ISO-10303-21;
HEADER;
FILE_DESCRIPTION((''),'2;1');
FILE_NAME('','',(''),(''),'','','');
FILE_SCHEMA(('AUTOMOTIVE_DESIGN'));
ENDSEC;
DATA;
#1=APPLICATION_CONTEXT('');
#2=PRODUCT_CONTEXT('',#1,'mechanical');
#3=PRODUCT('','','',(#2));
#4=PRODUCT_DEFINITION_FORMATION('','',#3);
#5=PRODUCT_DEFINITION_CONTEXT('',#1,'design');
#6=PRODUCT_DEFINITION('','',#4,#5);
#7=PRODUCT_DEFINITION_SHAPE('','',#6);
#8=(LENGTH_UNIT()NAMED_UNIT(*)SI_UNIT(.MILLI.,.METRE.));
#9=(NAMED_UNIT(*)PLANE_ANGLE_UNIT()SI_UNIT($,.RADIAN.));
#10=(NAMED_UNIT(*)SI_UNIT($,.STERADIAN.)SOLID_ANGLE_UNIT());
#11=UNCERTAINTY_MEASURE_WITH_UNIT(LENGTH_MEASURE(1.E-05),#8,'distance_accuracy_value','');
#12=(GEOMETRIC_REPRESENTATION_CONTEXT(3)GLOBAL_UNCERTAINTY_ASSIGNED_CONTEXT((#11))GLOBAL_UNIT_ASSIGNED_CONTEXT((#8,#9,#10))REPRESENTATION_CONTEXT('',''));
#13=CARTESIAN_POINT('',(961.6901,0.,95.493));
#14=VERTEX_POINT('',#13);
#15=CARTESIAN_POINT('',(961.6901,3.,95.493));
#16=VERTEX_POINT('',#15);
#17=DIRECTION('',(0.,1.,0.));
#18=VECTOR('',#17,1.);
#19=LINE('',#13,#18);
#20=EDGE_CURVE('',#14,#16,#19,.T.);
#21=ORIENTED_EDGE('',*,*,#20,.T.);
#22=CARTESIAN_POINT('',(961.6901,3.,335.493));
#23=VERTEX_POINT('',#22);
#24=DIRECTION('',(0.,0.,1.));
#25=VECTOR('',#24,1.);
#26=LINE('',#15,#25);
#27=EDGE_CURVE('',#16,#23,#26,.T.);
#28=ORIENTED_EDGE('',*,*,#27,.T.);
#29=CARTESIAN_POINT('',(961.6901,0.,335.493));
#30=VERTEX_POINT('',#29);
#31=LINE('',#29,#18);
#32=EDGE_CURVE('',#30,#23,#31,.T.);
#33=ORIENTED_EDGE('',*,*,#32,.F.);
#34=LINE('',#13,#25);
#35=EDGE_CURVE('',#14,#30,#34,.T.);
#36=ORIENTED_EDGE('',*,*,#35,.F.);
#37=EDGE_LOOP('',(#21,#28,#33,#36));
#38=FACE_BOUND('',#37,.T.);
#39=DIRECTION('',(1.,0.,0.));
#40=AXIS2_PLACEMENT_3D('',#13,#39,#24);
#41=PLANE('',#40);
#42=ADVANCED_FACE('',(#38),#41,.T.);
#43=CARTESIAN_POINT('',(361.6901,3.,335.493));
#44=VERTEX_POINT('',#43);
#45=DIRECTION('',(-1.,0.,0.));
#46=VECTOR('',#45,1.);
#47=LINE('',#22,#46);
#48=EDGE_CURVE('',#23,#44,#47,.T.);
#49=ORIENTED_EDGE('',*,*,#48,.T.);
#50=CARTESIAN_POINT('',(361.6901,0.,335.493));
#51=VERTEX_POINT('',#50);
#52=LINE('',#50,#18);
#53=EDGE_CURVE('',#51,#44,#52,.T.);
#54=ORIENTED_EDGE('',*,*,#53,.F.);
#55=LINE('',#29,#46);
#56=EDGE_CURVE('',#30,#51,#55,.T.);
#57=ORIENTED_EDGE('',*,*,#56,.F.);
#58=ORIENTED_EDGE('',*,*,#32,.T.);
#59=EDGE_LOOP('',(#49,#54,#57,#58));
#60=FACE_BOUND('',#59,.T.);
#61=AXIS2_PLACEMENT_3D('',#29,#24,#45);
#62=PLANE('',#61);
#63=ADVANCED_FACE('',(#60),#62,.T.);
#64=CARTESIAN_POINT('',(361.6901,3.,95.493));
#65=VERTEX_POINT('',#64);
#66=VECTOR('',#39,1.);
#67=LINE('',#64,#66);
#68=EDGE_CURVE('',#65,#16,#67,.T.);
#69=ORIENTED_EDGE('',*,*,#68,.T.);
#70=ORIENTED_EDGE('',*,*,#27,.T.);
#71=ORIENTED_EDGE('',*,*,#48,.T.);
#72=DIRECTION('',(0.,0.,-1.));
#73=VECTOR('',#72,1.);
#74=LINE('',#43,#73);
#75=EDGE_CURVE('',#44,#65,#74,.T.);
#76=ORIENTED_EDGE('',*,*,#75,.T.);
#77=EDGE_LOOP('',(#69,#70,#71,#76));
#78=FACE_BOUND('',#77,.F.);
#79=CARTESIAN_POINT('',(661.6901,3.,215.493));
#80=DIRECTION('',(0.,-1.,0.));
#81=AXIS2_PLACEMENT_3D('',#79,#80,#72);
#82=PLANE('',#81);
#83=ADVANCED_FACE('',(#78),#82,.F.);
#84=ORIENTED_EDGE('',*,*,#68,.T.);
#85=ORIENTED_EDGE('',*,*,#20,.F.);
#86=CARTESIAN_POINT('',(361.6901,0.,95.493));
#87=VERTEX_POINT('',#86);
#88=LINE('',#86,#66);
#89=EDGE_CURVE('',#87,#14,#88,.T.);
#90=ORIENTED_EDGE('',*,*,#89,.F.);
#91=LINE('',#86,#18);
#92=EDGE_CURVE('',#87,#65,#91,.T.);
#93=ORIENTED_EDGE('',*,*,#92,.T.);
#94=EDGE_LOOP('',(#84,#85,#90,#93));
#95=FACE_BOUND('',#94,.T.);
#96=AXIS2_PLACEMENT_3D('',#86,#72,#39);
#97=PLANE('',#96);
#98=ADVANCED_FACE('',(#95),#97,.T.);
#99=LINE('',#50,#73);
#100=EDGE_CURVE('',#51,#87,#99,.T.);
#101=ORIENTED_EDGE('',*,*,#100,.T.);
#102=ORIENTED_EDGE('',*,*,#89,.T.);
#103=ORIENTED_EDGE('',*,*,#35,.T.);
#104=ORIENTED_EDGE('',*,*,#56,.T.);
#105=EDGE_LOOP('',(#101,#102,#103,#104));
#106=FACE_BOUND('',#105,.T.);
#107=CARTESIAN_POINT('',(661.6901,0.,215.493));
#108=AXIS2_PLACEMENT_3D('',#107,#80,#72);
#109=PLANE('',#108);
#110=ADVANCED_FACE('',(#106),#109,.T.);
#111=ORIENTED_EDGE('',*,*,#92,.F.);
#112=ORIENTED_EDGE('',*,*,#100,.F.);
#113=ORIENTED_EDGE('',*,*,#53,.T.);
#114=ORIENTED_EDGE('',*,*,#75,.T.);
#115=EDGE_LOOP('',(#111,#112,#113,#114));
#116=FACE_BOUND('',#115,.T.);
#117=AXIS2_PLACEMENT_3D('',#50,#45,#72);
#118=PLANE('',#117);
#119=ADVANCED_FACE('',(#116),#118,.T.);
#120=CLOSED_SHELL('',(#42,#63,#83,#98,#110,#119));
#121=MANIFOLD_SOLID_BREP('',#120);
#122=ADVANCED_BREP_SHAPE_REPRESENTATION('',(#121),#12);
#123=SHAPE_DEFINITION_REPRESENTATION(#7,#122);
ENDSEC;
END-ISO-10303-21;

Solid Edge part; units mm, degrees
sketch "Sketch1" plane through (0, 0, 0) normal (0, -1, 0) x (1, 0, 0)
  line L0 (361.6901, 335.493) -> (361.6901, 95.493)
  line L1 (361.6901, 95.493) -> (961.6901, 95.493)
  line L2 (961.6901, 95.493) -> (961.6901, 335.493)
  line L3 (961.6901, 335.493) -> (361.6901, 335.493)
  dimension "D1" = 600
  dimension "D2" = 240
extrude "Protrusion1" add sketch "Sketch1" against normal blind 3
